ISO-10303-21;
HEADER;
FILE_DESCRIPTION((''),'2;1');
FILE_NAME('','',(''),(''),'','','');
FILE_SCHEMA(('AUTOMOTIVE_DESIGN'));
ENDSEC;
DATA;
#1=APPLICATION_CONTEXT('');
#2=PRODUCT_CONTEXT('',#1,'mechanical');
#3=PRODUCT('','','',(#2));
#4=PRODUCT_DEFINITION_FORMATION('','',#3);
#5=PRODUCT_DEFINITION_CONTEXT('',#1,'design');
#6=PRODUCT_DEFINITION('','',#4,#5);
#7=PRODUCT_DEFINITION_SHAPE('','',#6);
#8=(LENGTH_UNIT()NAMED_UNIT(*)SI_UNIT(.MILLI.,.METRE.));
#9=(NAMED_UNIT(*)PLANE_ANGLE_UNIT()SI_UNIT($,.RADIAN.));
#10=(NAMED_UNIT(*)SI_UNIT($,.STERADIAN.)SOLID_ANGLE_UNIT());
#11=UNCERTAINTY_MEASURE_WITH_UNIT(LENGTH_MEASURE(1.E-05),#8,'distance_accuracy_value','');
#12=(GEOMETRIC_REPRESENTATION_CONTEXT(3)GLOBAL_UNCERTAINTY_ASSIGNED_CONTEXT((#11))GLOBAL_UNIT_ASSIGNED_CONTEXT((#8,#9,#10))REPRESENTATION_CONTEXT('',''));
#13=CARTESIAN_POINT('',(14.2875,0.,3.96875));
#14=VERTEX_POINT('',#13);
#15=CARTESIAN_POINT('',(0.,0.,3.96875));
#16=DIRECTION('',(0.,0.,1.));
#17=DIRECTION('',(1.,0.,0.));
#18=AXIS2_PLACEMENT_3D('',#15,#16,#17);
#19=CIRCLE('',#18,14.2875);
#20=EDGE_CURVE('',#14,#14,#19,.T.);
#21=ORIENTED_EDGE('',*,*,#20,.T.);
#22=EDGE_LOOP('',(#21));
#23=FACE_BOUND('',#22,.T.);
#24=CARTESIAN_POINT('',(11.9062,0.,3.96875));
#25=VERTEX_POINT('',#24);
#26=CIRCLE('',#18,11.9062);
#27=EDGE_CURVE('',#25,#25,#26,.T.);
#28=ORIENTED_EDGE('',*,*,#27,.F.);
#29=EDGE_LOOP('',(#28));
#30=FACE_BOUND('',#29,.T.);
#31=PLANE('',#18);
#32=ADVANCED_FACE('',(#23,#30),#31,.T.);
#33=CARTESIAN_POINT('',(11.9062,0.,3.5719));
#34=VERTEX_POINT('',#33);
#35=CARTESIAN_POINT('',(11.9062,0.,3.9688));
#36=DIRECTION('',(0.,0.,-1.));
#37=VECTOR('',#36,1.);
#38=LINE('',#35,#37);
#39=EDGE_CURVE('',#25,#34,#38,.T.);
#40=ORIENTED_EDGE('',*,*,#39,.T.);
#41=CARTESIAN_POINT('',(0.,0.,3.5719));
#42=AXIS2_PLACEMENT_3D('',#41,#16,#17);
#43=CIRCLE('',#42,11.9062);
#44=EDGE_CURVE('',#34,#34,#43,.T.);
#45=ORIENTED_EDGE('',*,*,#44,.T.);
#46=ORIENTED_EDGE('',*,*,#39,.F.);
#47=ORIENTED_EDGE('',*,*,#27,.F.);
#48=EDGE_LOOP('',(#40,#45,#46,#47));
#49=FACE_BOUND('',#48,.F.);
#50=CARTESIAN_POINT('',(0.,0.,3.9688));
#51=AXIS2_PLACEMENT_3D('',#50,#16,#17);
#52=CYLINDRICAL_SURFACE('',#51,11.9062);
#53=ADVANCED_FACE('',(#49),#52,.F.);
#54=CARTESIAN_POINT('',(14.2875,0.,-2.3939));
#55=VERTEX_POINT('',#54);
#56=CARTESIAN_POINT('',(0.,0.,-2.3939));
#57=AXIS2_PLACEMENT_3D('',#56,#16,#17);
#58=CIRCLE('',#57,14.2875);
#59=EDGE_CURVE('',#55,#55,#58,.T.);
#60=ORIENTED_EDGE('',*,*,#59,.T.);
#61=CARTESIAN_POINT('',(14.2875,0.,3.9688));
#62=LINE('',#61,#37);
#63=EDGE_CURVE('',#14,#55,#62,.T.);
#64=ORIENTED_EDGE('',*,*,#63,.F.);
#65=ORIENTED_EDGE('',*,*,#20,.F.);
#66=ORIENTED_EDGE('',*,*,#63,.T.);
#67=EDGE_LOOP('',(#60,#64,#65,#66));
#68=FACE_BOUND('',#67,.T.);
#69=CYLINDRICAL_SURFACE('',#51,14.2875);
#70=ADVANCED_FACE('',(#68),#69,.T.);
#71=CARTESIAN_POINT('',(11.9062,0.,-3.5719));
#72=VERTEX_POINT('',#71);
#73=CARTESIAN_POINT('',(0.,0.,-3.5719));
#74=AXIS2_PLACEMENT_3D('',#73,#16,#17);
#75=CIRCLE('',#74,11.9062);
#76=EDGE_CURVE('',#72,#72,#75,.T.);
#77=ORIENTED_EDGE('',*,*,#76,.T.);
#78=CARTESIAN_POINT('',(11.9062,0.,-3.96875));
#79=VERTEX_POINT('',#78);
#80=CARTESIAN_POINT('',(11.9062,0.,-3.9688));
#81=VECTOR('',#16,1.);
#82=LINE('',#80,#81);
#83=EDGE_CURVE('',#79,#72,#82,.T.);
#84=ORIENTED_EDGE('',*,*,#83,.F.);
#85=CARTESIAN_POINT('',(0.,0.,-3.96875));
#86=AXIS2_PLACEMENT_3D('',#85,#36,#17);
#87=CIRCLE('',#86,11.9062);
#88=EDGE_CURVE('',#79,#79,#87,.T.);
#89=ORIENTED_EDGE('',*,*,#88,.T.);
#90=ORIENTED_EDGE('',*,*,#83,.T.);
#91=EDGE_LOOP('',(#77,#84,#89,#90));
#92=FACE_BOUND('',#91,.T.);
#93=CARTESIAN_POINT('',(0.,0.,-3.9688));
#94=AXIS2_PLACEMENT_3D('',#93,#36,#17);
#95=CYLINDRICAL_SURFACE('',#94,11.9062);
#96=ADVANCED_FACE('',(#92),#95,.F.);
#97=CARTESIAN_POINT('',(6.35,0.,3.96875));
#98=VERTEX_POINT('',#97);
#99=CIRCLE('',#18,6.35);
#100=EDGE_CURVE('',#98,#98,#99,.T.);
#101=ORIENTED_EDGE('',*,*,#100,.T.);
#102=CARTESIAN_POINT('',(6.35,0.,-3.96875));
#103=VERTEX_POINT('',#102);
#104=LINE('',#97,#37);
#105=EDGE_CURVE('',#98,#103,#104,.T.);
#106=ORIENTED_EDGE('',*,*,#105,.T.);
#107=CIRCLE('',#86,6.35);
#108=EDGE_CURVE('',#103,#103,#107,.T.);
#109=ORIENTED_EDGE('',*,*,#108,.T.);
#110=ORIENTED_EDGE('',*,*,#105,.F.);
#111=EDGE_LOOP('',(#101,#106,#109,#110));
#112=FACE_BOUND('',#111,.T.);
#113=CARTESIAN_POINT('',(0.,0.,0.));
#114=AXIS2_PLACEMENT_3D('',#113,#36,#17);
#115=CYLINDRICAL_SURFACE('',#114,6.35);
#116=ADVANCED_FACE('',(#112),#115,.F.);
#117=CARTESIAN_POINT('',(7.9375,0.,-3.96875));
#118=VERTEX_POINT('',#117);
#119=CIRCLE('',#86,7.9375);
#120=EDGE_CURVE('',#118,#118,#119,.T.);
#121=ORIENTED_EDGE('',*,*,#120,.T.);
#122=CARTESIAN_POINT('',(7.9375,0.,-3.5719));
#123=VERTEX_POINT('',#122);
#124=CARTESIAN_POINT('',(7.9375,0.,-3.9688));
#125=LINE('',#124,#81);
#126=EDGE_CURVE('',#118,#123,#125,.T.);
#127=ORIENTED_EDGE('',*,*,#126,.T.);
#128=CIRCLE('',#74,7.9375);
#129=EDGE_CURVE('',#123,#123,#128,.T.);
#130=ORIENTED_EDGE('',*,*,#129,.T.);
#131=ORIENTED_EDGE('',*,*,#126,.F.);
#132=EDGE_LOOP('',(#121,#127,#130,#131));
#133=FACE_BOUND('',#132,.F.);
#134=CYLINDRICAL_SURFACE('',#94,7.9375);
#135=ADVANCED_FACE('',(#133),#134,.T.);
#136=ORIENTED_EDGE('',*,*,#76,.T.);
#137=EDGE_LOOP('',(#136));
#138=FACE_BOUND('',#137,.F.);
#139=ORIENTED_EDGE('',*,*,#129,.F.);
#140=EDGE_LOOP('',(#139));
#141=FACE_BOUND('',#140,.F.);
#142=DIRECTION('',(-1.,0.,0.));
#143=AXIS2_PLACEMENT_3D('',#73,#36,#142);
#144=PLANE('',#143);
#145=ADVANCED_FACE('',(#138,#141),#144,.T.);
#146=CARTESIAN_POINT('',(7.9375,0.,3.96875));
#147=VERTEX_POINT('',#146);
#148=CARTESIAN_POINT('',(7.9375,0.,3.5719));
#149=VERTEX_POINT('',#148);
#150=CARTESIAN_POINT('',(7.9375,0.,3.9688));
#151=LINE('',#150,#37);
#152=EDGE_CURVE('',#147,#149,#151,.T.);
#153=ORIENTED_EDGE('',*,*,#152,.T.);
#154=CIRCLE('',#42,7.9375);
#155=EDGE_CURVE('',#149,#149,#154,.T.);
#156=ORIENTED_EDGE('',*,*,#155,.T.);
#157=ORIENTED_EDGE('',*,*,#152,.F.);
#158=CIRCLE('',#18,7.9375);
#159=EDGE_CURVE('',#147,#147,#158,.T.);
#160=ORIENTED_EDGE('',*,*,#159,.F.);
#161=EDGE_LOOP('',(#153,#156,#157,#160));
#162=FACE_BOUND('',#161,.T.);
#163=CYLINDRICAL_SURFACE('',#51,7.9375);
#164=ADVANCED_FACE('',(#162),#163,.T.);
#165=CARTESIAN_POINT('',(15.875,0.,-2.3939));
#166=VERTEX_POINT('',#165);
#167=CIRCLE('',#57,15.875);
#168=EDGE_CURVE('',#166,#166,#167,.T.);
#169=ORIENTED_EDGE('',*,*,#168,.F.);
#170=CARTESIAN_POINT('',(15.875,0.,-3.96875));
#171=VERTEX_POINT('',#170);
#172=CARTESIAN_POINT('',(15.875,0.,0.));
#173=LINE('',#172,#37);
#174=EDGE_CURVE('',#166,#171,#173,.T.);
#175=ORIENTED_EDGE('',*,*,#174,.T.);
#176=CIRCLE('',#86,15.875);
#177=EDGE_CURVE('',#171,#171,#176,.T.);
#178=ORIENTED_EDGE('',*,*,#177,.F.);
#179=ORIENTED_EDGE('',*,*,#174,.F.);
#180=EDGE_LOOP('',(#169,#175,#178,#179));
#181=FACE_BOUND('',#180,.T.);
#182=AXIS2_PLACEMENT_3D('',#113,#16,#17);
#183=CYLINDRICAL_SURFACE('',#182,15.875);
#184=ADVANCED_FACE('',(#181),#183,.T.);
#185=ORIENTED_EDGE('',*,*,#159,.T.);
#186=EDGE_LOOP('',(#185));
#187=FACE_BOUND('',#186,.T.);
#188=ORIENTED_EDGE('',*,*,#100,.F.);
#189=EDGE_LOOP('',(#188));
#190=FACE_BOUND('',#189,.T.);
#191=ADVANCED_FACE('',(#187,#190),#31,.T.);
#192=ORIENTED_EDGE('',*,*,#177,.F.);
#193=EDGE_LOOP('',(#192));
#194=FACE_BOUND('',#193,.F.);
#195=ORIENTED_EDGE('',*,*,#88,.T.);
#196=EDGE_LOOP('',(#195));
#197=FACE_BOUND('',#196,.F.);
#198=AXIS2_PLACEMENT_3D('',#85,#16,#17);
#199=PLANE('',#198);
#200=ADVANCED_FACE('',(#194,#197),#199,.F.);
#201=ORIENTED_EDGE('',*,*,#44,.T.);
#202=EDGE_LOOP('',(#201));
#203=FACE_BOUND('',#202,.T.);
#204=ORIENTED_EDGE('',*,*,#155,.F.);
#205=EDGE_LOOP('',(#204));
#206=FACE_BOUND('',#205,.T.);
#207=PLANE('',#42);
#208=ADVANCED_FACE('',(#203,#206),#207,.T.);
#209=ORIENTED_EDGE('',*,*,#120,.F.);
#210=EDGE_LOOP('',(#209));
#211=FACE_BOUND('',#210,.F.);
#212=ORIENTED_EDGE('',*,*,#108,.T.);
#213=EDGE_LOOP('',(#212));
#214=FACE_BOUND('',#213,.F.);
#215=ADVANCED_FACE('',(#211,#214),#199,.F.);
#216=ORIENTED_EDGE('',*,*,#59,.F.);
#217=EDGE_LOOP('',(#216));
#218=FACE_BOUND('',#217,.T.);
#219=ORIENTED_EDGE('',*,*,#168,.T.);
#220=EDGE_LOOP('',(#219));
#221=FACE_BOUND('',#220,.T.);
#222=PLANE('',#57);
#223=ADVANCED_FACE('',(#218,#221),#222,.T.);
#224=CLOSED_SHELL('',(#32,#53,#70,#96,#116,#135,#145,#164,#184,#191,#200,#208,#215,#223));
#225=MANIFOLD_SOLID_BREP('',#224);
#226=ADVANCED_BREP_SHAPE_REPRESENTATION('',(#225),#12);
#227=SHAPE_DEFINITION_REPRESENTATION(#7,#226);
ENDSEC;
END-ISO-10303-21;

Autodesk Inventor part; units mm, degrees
ref_plane "YZ Plane" through (0, 0, 0) normal (1, 0, 0) x (0, 1, 0)
ref_plane "XZ Plane" through (0, 0, 0) normal (0, 1, 0) x (-1, 0, 0)
ref_plane "XY Plane" through (0, 0, 0) normal (0, 0, 1) x (1, 0, 0)
sketch "Sketch1" plane through (0, 0, 0) normal (0, 0, 1) x (1, 0, 0)
  line L0 (-22.225, 0) -> (22.225, 0) projected
  line L1 (0, -22.225) -> (0, 22.225) projected
  circle A0 centre (0, 0) radius 15.875
  circle A1 centre (0, 0) radius 6.35
  dimension "d0" = 12.7
  dimension "d1" = 31.75
extrude "Base" add sketch "Sketch1" along normal mid plane 7.9375 contours A1 L1 A0 L0 | L0 A0 L1 A1 | A1 L0 A0 L1 | L1 A0 L0 A1
sketch "Sketch2" plane through (0, 0, 3.9688) normal (0, 0, 1) x (1, 0, 0)
  circle A0 centre (0, 0) radius 15.875 projected
  circle A1 centre (0, 0) radius 14.2875
  dimension "d4" = 28.575
extrude "Flange Cutaway" cut sketch "Sketch2" against normal blind 6.3627
sketch "Sketch3" plane through (0, 0, 3.9688) normal (0, 0, 1) x (1, 0, 0)
  circle A0 centre (0, 0) radius 14.2875 projected
  circle A1 centre (0, 0) radius 6.35 projected
  circle A2 centre (0, 0) radius 7.9375
  circle A3 centre (0, 0) radius 11.9062
  dimension "d7" = 1.5875
  dimension "d8" = 2.3813
extrude "Cutaway" cut sketch "Sketch3" against normal blind 0.3969 contours A3
mirror "Mirror1" about plane through (0, 0, 0) normal (0, 0, 1) of "Cutaway"
properties part number "bearing_1.125OD" material "Steel"
